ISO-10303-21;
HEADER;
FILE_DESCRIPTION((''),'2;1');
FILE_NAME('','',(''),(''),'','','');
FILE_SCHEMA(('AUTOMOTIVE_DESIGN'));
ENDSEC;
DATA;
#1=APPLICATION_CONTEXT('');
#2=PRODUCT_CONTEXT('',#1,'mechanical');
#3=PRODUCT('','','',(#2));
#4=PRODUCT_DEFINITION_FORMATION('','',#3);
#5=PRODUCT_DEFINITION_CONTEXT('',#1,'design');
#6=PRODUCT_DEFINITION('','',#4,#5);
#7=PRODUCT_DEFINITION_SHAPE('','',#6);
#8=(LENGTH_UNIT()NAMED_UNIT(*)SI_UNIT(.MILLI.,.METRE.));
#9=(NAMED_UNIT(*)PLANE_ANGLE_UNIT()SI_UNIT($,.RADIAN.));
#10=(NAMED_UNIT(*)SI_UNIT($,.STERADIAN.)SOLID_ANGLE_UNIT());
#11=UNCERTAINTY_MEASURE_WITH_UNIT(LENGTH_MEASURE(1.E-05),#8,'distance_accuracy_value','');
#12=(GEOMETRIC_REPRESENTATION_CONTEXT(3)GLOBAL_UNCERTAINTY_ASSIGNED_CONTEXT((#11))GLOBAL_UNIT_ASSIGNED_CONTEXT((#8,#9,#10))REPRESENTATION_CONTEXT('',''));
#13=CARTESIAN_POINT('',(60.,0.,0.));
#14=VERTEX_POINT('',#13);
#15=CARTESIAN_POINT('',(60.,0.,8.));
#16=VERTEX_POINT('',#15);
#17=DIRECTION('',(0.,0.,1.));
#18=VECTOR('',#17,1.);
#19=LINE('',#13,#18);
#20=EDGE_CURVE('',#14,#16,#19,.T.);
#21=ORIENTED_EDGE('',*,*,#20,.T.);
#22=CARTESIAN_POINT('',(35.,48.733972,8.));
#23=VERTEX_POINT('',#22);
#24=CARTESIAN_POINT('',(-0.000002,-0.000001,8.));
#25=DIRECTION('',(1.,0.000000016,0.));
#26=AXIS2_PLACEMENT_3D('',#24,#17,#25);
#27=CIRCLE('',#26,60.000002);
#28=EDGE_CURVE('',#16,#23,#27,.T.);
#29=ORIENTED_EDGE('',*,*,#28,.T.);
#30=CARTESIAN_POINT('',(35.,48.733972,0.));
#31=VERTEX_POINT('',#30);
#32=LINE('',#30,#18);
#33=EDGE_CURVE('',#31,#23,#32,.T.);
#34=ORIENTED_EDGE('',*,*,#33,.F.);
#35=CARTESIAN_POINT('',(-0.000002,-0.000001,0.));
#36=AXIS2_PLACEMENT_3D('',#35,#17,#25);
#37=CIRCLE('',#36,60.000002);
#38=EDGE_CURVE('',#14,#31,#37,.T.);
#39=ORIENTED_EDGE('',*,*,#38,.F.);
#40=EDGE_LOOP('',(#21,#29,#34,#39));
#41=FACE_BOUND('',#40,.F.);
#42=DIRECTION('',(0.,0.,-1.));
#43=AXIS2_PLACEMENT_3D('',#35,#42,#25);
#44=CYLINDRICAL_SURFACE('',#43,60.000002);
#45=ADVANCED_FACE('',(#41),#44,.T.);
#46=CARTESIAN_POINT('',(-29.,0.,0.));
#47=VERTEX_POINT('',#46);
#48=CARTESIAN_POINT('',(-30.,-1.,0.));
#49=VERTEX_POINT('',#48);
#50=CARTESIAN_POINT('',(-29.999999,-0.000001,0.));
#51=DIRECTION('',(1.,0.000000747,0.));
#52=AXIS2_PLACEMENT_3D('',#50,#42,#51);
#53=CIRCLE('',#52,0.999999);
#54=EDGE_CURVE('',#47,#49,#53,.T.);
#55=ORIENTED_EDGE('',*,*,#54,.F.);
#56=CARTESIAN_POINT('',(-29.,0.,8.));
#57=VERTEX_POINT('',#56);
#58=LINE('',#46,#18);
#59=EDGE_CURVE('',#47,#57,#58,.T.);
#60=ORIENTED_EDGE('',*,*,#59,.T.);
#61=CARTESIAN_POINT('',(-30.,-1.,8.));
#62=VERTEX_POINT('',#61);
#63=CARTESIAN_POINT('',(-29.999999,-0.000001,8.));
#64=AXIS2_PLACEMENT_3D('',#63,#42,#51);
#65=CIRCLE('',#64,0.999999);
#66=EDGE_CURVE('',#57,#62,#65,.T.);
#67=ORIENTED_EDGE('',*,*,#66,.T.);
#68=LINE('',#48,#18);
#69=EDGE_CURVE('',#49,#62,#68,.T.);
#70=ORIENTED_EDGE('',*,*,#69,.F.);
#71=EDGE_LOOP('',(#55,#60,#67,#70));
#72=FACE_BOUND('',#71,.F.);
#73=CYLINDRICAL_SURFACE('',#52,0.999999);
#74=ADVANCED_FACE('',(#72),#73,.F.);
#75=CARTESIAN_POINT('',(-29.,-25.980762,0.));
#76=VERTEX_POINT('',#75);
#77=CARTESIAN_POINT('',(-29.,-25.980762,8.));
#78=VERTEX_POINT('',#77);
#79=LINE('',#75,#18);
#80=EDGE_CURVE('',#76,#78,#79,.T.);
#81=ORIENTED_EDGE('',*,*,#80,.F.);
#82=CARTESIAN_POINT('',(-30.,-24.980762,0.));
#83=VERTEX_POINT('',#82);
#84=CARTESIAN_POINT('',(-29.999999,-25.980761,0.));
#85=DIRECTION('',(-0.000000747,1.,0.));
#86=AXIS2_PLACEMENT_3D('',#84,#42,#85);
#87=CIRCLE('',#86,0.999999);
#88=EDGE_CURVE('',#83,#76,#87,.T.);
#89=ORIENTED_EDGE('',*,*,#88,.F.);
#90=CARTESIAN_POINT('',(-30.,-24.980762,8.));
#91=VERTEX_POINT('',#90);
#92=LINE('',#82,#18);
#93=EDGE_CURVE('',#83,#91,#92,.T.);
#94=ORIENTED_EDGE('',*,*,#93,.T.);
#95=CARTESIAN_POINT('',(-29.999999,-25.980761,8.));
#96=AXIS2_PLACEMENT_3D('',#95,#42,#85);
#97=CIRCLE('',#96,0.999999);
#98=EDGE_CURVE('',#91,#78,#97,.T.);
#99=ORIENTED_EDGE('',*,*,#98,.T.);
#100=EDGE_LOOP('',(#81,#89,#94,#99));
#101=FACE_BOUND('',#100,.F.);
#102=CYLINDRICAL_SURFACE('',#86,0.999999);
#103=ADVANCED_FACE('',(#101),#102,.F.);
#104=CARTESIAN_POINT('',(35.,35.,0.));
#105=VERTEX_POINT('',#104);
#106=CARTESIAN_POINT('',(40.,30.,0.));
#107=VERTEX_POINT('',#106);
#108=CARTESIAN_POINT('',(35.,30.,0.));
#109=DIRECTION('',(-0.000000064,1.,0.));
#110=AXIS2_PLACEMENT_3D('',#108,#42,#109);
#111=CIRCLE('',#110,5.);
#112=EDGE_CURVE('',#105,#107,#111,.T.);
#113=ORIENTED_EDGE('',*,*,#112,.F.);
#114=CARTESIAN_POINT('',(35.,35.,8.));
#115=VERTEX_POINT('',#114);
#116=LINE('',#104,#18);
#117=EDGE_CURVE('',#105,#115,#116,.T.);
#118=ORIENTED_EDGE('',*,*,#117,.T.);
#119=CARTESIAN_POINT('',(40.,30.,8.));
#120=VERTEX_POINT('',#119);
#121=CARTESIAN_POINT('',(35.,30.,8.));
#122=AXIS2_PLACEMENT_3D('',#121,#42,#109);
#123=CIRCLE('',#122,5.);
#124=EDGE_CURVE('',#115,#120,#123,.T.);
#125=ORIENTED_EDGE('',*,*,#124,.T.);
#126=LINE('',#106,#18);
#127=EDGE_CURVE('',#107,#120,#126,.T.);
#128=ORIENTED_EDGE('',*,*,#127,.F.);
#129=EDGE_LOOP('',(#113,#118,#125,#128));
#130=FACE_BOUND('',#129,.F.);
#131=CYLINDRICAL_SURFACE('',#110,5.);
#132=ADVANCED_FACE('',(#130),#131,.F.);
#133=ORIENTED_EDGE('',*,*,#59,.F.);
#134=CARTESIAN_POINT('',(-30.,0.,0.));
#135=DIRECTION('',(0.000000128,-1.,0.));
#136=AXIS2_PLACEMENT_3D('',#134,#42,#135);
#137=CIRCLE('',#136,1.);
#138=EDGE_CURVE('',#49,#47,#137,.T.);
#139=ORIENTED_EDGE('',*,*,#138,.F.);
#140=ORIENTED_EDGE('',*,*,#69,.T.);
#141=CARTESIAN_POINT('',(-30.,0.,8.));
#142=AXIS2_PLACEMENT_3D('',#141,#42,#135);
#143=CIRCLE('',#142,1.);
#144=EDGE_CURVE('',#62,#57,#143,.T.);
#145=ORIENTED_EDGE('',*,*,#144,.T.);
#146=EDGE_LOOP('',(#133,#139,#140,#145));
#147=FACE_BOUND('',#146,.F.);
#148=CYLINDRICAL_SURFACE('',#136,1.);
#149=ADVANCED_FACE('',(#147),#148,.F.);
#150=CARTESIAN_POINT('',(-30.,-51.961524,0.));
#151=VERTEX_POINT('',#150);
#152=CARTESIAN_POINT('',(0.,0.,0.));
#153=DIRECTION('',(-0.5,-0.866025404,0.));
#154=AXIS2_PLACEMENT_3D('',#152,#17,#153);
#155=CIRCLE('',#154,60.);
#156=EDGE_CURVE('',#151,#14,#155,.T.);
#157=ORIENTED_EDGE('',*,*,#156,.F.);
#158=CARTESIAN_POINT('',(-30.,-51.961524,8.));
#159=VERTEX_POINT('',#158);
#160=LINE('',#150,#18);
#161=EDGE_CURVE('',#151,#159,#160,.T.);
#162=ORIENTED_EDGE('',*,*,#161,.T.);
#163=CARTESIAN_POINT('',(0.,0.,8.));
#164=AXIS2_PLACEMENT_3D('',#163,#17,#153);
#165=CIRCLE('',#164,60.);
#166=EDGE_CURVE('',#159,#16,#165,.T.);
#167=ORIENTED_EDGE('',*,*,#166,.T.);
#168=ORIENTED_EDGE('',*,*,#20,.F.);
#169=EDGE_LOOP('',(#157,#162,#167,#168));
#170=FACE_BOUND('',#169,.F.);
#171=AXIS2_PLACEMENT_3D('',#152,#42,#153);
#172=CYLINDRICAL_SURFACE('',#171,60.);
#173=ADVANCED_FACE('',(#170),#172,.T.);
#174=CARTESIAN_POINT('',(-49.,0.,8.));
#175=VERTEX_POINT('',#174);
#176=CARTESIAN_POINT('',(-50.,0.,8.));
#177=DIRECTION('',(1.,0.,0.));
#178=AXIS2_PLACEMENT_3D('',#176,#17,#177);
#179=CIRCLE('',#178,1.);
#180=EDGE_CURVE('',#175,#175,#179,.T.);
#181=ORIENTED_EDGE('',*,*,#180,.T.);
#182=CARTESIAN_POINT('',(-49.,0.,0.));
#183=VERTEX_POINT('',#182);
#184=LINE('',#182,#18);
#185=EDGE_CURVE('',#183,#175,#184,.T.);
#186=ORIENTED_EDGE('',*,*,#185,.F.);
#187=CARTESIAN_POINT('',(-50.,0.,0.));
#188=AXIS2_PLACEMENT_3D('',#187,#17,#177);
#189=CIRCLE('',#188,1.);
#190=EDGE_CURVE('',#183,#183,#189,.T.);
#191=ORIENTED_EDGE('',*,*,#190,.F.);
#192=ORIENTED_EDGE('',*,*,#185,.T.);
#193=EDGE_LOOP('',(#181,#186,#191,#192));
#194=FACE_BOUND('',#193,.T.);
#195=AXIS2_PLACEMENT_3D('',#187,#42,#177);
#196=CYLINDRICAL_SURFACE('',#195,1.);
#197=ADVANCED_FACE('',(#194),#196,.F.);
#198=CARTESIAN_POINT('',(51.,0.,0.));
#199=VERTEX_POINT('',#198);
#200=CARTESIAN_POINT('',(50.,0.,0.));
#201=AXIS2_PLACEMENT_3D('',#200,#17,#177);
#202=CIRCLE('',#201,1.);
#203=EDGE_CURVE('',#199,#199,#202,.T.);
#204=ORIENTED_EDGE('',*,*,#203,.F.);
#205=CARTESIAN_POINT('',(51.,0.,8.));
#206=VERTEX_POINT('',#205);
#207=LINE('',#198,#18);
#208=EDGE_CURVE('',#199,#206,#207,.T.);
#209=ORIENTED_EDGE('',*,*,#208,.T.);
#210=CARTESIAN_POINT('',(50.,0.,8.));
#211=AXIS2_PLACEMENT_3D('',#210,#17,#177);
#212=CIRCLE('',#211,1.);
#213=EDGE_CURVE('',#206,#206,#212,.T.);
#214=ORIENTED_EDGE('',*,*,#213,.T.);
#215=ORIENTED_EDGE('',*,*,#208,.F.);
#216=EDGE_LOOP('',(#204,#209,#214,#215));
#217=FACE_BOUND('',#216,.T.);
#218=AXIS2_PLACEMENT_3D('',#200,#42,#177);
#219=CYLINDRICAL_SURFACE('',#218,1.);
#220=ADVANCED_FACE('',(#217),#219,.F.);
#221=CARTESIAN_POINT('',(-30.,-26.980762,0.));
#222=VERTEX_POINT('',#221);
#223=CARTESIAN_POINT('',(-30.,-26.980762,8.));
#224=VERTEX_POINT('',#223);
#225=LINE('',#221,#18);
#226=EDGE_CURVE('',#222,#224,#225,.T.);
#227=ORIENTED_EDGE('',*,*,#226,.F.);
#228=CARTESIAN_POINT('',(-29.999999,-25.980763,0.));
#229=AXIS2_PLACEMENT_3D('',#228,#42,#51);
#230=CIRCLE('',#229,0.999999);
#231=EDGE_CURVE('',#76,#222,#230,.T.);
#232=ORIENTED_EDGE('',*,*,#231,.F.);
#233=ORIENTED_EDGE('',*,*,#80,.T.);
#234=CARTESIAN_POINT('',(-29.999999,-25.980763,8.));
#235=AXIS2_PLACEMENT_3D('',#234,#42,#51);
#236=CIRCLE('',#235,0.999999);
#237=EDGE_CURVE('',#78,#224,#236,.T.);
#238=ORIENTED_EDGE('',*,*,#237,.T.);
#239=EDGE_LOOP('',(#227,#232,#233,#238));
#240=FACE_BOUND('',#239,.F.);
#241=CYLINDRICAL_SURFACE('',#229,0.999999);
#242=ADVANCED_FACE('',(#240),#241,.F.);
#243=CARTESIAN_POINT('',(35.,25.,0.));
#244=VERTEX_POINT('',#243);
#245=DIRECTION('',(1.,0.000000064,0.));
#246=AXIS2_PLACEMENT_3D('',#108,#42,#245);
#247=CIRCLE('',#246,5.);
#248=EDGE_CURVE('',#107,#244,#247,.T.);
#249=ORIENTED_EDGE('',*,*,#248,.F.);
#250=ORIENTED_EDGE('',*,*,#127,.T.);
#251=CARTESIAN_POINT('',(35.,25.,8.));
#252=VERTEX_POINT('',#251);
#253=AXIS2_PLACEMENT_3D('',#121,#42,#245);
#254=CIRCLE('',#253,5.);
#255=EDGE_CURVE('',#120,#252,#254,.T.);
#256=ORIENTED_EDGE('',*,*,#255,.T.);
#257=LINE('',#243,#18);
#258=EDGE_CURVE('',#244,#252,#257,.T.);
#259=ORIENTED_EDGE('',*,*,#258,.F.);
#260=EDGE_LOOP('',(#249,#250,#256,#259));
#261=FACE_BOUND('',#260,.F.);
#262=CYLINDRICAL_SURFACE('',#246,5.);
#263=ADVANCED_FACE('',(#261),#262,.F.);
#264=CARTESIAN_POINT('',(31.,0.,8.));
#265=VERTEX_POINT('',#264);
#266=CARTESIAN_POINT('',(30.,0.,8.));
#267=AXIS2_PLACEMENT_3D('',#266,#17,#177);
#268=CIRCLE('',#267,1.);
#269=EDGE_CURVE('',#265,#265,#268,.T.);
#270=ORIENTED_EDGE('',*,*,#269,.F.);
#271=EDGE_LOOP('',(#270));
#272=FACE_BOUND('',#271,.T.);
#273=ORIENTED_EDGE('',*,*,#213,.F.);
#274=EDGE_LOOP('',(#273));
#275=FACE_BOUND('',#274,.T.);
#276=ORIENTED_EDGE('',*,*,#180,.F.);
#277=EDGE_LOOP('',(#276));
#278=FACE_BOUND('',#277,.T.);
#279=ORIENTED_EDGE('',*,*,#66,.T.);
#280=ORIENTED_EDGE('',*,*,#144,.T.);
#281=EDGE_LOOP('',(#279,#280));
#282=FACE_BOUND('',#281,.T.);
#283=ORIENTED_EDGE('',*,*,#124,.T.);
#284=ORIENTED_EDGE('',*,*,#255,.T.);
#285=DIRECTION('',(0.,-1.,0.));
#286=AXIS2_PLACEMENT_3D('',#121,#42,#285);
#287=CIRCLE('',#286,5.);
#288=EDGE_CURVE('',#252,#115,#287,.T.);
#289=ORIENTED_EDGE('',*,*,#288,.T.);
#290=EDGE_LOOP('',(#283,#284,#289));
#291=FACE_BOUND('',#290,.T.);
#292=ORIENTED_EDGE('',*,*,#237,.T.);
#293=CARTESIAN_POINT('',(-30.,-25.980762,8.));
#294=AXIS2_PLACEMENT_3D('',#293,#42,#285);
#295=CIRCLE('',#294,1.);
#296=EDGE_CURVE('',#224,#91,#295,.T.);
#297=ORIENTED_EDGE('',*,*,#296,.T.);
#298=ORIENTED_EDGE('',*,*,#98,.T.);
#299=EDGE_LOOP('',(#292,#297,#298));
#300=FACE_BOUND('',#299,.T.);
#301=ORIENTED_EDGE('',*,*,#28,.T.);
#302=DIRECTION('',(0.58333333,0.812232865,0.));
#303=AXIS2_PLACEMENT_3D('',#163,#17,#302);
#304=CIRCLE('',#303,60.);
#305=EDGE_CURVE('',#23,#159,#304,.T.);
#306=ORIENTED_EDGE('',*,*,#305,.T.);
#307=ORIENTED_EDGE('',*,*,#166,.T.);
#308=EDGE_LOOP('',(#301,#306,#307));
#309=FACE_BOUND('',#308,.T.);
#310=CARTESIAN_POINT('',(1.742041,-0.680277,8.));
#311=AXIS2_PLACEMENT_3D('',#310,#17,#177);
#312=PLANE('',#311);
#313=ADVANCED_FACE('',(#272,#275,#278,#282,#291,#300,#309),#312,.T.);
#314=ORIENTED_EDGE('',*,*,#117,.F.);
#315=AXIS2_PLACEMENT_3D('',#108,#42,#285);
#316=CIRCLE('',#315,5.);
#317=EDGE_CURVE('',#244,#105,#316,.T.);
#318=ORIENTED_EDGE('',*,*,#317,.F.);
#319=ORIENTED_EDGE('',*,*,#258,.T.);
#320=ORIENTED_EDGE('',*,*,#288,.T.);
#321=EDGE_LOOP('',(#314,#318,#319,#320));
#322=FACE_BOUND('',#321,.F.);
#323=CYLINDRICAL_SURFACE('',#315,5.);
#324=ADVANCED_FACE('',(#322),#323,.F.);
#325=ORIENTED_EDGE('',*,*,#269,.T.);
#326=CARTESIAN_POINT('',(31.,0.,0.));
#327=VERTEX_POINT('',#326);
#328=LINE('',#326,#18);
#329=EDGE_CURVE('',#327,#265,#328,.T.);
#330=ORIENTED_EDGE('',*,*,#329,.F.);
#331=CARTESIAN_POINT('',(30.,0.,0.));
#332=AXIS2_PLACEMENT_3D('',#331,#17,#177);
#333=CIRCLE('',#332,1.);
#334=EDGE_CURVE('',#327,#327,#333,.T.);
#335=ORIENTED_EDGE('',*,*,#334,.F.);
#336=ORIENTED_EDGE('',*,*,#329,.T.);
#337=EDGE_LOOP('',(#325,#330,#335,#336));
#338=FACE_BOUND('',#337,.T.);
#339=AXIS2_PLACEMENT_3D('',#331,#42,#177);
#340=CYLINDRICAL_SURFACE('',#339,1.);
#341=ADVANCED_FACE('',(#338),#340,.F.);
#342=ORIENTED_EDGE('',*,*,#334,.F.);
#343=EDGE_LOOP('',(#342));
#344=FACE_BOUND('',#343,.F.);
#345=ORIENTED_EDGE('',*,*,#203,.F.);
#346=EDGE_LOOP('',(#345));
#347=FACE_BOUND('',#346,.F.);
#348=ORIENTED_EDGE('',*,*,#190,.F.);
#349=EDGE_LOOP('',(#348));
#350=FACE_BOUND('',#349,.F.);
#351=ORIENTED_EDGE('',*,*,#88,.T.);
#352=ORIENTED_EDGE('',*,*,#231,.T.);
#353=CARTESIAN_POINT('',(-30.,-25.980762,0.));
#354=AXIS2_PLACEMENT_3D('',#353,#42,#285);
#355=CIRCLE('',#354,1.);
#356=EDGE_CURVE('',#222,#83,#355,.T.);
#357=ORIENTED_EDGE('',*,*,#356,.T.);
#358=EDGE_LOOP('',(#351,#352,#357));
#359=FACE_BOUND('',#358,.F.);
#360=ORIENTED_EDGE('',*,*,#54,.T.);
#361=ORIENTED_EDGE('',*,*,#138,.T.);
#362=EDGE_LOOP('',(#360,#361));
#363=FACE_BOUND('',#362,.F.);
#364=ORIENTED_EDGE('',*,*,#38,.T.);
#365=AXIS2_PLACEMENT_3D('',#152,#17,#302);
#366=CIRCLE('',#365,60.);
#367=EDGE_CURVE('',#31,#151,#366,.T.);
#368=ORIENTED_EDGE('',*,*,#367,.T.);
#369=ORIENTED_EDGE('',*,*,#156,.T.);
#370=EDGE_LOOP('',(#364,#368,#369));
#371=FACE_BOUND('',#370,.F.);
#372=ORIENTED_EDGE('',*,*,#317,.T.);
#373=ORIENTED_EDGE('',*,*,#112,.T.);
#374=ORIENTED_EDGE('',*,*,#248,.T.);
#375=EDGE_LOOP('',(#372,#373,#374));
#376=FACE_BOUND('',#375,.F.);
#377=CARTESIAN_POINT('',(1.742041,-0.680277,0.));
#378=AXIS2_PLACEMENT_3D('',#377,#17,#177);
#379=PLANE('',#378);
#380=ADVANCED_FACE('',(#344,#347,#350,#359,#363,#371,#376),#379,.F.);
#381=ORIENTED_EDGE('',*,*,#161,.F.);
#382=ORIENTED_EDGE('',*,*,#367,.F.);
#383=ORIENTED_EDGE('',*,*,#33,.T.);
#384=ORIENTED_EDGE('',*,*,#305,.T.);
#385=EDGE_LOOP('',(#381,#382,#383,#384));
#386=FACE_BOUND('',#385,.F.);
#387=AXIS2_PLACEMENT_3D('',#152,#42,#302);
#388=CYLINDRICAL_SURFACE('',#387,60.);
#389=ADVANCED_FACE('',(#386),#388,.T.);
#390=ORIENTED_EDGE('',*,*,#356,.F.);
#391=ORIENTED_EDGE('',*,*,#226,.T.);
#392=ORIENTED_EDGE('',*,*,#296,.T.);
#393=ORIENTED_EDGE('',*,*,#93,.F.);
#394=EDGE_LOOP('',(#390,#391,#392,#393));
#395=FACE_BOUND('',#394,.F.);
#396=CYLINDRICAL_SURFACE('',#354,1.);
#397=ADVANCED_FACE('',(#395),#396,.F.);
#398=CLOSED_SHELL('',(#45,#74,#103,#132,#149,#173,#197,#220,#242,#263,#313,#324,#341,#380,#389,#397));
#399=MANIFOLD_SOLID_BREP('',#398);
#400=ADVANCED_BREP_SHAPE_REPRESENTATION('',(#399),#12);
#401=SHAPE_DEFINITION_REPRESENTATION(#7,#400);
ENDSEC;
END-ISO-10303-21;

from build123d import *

# Parameters (mm, degrees)
F0_R     = 1
F1_DEPTH = 8


with BuildPart() as f1:
    # F0 (on Top) → F1 (new body)
    with BuildSketch(Plane.XY):
        with BuildLine():
            ThreePointArc((-30, -51.961524), (30, -51.961524), (60, 0))
            ThreePointArc((60, 0), (53.385391, 27.386128), (35, 48.733972))
            ThreePointArc((35, 48.733972), (-50.409778, 32.540041), (-30, -51.961524))
        make_face()
        with BuildLine():
            ThreePointArc((-29, -25.980762), (-29.292893, -26.687869), (-30, -26.980762))
            ThreePointArc((-30, -26.980762), (-31, -25.980762), (-30, -24.980762))
            ThreePointArc((-30, -24.980762), (-29.292893, -25.273655), (-29, -25.980762))
        make_face(mode=Mode.SUBTRACT)
        with Locations((-50, 0)):
            Circle(F0_R, mode=Mode.SUBTRACT)
        with BuildLine():
            ThreePointArc((-29, 0), (-29.292893, -0.707107), (-30, -1))
            ThreePointArc((-30, -1), (-30.707107, 0.707107), (-29, 0))
        make_face(mode=Mode.SUBTRACT)
        with Locations((30, 0)):
            Circle(F0_R, mode=Mode.SUBTRACT)
        with Locations((50, 0)):
            Circle(F0_R, mode=Mode.SUBTRACT)
        with BuildLine():
            ThreePointArc((35, 25), (30, 30), (35, 35))
            ThreePointArc((35, 35), (38.535534, 33.535534), (40, 30))
            ThreePointArc((40, 30), (38.535534, 26.464466), (35, 25))
        make_face(mode=Mode.SUBTRACT)
    extrude(amount=F1_DEPTH)


solid = f1.part
